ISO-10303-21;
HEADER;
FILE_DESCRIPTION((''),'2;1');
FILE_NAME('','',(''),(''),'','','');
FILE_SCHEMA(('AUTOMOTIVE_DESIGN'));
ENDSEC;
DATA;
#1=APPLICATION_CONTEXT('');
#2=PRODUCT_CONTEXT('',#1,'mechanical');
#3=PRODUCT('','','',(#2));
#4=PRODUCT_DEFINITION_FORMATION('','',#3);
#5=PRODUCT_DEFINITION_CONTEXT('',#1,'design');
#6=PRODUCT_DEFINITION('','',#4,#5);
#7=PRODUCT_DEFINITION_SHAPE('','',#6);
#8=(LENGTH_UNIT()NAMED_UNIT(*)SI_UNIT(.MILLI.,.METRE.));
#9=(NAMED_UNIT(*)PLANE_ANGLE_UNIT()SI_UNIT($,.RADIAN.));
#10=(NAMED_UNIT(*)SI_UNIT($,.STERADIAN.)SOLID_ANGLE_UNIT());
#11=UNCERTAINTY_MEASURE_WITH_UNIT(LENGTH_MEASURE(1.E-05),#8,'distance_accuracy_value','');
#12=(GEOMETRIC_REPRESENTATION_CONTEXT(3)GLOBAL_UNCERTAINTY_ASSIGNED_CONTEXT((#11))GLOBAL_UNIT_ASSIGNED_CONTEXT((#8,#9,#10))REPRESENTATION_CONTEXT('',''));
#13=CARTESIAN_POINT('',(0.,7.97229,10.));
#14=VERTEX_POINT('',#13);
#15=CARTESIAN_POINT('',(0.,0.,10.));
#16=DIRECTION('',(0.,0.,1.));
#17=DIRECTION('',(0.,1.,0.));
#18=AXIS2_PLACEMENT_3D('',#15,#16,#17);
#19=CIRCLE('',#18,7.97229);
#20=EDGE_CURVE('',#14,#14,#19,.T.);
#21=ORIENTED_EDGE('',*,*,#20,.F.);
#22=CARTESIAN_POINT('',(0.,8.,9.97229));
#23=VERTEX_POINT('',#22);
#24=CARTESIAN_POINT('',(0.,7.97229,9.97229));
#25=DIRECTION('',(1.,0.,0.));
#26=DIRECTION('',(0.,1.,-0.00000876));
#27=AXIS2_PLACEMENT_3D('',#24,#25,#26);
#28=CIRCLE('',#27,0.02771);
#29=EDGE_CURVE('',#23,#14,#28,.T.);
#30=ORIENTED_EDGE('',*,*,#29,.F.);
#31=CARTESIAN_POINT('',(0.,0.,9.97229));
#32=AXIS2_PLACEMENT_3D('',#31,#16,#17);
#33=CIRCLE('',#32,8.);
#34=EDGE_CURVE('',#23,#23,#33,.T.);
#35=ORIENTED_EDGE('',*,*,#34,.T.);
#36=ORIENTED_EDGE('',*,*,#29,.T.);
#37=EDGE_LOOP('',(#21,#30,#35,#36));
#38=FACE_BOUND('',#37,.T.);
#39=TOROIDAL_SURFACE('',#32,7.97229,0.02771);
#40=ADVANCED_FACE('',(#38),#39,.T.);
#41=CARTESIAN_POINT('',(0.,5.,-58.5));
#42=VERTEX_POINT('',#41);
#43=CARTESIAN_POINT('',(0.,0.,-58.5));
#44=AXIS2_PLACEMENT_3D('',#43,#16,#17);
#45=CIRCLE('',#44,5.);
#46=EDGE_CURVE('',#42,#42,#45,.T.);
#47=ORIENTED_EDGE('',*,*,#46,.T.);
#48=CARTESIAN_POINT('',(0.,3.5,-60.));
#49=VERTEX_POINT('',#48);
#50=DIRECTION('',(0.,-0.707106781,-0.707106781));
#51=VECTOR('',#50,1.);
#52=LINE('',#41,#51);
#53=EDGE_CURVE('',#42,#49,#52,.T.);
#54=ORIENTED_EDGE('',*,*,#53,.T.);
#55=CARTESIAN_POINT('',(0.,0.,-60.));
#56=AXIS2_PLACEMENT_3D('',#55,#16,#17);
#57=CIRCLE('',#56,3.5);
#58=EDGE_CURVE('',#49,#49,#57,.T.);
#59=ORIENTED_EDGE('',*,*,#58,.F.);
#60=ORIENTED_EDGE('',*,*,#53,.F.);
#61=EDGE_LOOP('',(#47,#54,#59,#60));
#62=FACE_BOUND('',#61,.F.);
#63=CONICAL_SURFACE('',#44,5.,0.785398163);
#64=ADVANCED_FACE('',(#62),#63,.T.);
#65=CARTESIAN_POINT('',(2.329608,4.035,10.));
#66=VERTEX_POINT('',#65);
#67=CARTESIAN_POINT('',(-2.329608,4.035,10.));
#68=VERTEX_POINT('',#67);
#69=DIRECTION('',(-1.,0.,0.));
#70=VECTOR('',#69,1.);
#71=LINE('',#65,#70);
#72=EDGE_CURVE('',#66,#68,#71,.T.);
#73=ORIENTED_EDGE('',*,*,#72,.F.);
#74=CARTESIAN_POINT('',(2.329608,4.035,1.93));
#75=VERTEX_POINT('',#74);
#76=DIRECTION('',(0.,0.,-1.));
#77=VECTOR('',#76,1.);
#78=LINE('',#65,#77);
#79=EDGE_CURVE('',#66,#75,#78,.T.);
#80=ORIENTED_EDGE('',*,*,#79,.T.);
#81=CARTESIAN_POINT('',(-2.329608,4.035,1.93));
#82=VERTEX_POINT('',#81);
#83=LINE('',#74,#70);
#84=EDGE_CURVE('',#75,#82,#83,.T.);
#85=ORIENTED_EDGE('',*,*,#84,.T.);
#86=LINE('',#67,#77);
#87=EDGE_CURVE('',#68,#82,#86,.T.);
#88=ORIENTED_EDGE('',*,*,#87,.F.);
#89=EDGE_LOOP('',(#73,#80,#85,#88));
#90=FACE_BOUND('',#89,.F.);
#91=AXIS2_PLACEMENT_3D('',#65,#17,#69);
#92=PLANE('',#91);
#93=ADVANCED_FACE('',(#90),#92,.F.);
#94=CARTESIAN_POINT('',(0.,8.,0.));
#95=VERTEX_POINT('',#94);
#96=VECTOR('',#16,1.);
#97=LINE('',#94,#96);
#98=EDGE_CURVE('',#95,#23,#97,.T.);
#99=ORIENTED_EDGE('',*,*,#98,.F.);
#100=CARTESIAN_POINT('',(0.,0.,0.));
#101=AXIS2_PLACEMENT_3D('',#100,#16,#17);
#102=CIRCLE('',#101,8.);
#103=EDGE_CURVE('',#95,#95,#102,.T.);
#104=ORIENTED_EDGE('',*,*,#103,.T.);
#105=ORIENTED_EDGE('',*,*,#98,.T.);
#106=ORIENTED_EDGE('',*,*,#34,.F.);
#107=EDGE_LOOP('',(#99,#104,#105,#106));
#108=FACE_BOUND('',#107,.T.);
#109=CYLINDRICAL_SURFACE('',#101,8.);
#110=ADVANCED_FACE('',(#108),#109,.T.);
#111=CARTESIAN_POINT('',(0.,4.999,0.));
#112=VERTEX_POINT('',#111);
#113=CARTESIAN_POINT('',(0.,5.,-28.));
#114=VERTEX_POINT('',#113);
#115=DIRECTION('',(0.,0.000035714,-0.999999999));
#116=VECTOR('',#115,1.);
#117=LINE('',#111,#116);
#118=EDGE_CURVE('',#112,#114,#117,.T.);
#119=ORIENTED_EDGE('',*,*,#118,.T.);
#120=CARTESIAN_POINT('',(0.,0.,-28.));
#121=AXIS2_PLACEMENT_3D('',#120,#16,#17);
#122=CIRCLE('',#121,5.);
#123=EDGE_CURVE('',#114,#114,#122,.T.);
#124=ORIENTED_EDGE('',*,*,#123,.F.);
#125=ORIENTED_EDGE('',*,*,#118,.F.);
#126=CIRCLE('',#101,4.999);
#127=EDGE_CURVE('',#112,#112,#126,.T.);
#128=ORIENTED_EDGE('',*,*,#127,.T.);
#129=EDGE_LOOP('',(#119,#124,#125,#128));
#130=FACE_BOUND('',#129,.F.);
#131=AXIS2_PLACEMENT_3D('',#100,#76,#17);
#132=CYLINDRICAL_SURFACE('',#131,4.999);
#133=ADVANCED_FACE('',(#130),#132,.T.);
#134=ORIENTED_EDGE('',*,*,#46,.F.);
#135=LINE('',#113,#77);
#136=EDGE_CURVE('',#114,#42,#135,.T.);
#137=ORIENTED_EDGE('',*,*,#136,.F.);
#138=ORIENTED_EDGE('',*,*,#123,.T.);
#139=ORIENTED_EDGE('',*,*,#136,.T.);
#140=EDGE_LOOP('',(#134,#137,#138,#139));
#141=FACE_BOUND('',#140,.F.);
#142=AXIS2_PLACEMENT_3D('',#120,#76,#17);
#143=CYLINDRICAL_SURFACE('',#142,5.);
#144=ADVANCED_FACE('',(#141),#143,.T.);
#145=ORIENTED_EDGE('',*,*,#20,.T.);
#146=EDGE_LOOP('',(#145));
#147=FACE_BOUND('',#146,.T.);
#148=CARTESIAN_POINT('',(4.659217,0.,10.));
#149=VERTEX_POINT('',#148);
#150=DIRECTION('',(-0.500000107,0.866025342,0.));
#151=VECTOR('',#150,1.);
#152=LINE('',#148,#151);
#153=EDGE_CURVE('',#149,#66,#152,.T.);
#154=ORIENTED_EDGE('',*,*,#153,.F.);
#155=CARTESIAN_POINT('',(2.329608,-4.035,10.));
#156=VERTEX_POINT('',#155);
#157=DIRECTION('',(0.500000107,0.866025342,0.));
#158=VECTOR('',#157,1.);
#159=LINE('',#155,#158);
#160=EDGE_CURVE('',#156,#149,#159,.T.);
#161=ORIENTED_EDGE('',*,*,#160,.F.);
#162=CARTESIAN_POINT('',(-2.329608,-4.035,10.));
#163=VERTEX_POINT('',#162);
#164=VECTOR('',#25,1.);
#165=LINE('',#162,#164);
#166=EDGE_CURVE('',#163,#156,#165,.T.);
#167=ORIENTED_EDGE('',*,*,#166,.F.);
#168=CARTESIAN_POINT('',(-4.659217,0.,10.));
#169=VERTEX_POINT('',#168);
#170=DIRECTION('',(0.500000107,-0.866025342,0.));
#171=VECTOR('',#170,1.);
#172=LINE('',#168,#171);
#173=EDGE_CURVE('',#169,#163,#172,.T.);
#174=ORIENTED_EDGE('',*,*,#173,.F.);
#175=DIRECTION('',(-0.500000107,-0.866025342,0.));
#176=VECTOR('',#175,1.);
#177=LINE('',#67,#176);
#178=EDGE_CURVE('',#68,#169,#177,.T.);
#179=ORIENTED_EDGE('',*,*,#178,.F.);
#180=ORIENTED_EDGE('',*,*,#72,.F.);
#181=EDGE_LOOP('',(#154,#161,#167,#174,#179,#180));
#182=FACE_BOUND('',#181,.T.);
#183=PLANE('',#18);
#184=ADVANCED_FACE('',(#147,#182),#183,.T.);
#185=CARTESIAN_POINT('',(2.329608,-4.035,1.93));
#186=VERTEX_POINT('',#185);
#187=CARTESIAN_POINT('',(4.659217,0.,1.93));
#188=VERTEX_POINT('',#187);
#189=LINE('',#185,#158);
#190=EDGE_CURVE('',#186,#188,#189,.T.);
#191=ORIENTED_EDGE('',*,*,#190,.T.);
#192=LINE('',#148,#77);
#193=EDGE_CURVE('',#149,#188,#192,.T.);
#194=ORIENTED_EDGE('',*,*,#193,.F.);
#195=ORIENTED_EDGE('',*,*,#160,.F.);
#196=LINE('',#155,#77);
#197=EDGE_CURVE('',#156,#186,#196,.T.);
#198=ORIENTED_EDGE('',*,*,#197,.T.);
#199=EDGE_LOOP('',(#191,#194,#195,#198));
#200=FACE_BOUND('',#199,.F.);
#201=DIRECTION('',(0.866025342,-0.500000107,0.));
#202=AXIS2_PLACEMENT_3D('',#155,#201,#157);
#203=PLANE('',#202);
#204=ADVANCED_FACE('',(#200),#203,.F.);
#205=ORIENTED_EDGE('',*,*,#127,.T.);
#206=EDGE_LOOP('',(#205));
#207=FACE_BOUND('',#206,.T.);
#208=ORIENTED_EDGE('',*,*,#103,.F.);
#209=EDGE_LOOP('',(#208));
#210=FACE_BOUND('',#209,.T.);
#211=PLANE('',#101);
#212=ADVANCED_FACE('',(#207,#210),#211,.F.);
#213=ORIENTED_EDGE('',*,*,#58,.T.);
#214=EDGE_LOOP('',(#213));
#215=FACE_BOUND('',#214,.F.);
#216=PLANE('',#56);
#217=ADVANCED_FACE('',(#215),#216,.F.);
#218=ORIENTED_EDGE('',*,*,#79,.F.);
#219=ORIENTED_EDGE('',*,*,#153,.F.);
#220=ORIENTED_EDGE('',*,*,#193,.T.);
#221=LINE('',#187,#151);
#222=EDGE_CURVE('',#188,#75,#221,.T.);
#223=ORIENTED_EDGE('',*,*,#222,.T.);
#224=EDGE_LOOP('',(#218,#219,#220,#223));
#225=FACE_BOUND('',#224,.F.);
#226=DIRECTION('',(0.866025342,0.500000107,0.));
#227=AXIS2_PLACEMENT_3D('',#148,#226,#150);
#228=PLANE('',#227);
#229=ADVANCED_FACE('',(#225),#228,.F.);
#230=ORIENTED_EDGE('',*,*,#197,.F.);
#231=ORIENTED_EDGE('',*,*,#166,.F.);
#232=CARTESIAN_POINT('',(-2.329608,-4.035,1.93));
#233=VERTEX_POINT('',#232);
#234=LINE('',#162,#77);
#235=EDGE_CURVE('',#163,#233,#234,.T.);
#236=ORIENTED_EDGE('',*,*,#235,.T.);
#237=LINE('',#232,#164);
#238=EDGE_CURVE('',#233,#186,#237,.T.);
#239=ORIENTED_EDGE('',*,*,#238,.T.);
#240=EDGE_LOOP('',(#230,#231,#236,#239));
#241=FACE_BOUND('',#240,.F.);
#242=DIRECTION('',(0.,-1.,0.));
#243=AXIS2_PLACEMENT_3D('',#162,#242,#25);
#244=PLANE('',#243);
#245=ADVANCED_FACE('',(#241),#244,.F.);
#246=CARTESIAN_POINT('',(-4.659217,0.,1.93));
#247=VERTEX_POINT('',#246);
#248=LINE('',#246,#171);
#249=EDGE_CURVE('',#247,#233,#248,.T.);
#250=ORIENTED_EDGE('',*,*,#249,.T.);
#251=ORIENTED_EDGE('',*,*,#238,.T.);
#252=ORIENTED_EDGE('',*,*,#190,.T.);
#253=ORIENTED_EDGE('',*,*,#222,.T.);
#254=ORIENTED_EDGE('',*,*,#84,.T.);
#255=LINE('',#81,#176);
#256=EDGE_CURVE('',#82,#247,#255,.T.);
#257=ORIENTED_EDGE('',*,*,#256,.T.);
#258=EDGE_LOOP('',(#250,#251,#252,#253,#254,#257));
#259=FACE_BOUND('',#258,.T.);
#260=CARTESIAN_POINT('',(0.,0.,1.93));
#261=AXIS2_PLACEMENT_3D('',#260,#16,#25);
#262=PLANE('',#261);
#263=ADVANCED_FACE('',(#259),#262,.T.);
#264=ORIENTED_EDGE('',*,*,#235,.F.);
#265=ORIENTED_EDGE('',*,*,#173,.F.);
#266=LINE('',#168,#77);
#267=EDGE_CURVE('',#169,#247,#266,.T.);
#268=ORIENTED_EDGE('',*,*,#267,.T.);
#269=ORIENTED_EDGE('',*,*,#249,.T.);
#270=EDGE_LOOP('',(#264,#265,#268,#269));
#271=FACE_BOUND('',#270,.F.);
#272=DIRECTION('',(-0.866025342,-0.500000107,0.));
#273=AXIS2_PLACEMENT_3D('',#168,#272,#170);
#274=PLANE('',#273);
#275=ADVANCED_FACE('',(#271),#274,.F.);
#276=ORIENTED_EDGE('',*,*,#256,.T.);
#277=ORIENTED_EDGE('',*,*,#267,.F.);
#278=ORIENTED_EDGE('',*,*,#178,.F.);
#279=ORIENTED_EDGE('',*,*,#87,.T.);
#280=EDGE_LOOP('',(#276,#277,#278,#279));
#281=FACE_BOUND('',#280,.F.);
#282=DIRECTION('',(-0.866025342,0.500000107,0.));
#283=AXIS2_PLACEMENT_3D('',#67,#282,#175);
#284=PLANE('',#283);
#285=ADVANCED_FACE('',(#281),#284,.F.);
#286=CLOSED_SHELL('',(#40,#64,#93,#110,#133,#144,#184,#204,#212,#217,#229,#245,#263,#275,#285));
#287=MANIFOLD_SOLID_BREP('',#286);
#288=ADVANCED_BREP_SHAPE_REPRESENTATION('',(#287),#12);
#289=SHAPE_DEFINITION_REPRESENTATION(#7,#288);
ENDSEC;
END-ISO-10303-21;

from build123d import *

# Parameters (mm, degrees)
POCKET_DEPTH = 8.07


with BuildPart() as part:
    # Sketch → Revolve (revolve)
    with BuildSketch(Plane.YZ):
        with BuildLine():
            Line((4.999, 0), (8, 0))
            Line((8, 0), (8, 9.97229))
            ThreePointArc((8, 9.97229), (7.991884, 9.991884), (7.97229, 10))
            Line((7.97229, 10), (0, 10))
            Line((0, -60), (0, 10))
            Line((3.5, -60), (0, -60))
            Line((5, -58.5), (3.5, -60))
            Line((5, -28), (5, -58.5))
            Line((4.999, 0), (5, -28))
        make_face()
    revolve(axis=Axis((0, 0, 0), (0, 0, 1)))

    # Sketch001 → Pocket (cut)
    with BuildSketch(Plane.XY.offset(10)):
        Polygon((4.659217, 0), (2.329608, 4.035), (-2.329608, 4.035), (-4.659217, 0), (-2.329608, -4.035), (2.329608, -4.035), align=None)
    extrude(amount=-POCKET_DEPTH, mode=Mode.SUBTRACT)


solid = part.part
